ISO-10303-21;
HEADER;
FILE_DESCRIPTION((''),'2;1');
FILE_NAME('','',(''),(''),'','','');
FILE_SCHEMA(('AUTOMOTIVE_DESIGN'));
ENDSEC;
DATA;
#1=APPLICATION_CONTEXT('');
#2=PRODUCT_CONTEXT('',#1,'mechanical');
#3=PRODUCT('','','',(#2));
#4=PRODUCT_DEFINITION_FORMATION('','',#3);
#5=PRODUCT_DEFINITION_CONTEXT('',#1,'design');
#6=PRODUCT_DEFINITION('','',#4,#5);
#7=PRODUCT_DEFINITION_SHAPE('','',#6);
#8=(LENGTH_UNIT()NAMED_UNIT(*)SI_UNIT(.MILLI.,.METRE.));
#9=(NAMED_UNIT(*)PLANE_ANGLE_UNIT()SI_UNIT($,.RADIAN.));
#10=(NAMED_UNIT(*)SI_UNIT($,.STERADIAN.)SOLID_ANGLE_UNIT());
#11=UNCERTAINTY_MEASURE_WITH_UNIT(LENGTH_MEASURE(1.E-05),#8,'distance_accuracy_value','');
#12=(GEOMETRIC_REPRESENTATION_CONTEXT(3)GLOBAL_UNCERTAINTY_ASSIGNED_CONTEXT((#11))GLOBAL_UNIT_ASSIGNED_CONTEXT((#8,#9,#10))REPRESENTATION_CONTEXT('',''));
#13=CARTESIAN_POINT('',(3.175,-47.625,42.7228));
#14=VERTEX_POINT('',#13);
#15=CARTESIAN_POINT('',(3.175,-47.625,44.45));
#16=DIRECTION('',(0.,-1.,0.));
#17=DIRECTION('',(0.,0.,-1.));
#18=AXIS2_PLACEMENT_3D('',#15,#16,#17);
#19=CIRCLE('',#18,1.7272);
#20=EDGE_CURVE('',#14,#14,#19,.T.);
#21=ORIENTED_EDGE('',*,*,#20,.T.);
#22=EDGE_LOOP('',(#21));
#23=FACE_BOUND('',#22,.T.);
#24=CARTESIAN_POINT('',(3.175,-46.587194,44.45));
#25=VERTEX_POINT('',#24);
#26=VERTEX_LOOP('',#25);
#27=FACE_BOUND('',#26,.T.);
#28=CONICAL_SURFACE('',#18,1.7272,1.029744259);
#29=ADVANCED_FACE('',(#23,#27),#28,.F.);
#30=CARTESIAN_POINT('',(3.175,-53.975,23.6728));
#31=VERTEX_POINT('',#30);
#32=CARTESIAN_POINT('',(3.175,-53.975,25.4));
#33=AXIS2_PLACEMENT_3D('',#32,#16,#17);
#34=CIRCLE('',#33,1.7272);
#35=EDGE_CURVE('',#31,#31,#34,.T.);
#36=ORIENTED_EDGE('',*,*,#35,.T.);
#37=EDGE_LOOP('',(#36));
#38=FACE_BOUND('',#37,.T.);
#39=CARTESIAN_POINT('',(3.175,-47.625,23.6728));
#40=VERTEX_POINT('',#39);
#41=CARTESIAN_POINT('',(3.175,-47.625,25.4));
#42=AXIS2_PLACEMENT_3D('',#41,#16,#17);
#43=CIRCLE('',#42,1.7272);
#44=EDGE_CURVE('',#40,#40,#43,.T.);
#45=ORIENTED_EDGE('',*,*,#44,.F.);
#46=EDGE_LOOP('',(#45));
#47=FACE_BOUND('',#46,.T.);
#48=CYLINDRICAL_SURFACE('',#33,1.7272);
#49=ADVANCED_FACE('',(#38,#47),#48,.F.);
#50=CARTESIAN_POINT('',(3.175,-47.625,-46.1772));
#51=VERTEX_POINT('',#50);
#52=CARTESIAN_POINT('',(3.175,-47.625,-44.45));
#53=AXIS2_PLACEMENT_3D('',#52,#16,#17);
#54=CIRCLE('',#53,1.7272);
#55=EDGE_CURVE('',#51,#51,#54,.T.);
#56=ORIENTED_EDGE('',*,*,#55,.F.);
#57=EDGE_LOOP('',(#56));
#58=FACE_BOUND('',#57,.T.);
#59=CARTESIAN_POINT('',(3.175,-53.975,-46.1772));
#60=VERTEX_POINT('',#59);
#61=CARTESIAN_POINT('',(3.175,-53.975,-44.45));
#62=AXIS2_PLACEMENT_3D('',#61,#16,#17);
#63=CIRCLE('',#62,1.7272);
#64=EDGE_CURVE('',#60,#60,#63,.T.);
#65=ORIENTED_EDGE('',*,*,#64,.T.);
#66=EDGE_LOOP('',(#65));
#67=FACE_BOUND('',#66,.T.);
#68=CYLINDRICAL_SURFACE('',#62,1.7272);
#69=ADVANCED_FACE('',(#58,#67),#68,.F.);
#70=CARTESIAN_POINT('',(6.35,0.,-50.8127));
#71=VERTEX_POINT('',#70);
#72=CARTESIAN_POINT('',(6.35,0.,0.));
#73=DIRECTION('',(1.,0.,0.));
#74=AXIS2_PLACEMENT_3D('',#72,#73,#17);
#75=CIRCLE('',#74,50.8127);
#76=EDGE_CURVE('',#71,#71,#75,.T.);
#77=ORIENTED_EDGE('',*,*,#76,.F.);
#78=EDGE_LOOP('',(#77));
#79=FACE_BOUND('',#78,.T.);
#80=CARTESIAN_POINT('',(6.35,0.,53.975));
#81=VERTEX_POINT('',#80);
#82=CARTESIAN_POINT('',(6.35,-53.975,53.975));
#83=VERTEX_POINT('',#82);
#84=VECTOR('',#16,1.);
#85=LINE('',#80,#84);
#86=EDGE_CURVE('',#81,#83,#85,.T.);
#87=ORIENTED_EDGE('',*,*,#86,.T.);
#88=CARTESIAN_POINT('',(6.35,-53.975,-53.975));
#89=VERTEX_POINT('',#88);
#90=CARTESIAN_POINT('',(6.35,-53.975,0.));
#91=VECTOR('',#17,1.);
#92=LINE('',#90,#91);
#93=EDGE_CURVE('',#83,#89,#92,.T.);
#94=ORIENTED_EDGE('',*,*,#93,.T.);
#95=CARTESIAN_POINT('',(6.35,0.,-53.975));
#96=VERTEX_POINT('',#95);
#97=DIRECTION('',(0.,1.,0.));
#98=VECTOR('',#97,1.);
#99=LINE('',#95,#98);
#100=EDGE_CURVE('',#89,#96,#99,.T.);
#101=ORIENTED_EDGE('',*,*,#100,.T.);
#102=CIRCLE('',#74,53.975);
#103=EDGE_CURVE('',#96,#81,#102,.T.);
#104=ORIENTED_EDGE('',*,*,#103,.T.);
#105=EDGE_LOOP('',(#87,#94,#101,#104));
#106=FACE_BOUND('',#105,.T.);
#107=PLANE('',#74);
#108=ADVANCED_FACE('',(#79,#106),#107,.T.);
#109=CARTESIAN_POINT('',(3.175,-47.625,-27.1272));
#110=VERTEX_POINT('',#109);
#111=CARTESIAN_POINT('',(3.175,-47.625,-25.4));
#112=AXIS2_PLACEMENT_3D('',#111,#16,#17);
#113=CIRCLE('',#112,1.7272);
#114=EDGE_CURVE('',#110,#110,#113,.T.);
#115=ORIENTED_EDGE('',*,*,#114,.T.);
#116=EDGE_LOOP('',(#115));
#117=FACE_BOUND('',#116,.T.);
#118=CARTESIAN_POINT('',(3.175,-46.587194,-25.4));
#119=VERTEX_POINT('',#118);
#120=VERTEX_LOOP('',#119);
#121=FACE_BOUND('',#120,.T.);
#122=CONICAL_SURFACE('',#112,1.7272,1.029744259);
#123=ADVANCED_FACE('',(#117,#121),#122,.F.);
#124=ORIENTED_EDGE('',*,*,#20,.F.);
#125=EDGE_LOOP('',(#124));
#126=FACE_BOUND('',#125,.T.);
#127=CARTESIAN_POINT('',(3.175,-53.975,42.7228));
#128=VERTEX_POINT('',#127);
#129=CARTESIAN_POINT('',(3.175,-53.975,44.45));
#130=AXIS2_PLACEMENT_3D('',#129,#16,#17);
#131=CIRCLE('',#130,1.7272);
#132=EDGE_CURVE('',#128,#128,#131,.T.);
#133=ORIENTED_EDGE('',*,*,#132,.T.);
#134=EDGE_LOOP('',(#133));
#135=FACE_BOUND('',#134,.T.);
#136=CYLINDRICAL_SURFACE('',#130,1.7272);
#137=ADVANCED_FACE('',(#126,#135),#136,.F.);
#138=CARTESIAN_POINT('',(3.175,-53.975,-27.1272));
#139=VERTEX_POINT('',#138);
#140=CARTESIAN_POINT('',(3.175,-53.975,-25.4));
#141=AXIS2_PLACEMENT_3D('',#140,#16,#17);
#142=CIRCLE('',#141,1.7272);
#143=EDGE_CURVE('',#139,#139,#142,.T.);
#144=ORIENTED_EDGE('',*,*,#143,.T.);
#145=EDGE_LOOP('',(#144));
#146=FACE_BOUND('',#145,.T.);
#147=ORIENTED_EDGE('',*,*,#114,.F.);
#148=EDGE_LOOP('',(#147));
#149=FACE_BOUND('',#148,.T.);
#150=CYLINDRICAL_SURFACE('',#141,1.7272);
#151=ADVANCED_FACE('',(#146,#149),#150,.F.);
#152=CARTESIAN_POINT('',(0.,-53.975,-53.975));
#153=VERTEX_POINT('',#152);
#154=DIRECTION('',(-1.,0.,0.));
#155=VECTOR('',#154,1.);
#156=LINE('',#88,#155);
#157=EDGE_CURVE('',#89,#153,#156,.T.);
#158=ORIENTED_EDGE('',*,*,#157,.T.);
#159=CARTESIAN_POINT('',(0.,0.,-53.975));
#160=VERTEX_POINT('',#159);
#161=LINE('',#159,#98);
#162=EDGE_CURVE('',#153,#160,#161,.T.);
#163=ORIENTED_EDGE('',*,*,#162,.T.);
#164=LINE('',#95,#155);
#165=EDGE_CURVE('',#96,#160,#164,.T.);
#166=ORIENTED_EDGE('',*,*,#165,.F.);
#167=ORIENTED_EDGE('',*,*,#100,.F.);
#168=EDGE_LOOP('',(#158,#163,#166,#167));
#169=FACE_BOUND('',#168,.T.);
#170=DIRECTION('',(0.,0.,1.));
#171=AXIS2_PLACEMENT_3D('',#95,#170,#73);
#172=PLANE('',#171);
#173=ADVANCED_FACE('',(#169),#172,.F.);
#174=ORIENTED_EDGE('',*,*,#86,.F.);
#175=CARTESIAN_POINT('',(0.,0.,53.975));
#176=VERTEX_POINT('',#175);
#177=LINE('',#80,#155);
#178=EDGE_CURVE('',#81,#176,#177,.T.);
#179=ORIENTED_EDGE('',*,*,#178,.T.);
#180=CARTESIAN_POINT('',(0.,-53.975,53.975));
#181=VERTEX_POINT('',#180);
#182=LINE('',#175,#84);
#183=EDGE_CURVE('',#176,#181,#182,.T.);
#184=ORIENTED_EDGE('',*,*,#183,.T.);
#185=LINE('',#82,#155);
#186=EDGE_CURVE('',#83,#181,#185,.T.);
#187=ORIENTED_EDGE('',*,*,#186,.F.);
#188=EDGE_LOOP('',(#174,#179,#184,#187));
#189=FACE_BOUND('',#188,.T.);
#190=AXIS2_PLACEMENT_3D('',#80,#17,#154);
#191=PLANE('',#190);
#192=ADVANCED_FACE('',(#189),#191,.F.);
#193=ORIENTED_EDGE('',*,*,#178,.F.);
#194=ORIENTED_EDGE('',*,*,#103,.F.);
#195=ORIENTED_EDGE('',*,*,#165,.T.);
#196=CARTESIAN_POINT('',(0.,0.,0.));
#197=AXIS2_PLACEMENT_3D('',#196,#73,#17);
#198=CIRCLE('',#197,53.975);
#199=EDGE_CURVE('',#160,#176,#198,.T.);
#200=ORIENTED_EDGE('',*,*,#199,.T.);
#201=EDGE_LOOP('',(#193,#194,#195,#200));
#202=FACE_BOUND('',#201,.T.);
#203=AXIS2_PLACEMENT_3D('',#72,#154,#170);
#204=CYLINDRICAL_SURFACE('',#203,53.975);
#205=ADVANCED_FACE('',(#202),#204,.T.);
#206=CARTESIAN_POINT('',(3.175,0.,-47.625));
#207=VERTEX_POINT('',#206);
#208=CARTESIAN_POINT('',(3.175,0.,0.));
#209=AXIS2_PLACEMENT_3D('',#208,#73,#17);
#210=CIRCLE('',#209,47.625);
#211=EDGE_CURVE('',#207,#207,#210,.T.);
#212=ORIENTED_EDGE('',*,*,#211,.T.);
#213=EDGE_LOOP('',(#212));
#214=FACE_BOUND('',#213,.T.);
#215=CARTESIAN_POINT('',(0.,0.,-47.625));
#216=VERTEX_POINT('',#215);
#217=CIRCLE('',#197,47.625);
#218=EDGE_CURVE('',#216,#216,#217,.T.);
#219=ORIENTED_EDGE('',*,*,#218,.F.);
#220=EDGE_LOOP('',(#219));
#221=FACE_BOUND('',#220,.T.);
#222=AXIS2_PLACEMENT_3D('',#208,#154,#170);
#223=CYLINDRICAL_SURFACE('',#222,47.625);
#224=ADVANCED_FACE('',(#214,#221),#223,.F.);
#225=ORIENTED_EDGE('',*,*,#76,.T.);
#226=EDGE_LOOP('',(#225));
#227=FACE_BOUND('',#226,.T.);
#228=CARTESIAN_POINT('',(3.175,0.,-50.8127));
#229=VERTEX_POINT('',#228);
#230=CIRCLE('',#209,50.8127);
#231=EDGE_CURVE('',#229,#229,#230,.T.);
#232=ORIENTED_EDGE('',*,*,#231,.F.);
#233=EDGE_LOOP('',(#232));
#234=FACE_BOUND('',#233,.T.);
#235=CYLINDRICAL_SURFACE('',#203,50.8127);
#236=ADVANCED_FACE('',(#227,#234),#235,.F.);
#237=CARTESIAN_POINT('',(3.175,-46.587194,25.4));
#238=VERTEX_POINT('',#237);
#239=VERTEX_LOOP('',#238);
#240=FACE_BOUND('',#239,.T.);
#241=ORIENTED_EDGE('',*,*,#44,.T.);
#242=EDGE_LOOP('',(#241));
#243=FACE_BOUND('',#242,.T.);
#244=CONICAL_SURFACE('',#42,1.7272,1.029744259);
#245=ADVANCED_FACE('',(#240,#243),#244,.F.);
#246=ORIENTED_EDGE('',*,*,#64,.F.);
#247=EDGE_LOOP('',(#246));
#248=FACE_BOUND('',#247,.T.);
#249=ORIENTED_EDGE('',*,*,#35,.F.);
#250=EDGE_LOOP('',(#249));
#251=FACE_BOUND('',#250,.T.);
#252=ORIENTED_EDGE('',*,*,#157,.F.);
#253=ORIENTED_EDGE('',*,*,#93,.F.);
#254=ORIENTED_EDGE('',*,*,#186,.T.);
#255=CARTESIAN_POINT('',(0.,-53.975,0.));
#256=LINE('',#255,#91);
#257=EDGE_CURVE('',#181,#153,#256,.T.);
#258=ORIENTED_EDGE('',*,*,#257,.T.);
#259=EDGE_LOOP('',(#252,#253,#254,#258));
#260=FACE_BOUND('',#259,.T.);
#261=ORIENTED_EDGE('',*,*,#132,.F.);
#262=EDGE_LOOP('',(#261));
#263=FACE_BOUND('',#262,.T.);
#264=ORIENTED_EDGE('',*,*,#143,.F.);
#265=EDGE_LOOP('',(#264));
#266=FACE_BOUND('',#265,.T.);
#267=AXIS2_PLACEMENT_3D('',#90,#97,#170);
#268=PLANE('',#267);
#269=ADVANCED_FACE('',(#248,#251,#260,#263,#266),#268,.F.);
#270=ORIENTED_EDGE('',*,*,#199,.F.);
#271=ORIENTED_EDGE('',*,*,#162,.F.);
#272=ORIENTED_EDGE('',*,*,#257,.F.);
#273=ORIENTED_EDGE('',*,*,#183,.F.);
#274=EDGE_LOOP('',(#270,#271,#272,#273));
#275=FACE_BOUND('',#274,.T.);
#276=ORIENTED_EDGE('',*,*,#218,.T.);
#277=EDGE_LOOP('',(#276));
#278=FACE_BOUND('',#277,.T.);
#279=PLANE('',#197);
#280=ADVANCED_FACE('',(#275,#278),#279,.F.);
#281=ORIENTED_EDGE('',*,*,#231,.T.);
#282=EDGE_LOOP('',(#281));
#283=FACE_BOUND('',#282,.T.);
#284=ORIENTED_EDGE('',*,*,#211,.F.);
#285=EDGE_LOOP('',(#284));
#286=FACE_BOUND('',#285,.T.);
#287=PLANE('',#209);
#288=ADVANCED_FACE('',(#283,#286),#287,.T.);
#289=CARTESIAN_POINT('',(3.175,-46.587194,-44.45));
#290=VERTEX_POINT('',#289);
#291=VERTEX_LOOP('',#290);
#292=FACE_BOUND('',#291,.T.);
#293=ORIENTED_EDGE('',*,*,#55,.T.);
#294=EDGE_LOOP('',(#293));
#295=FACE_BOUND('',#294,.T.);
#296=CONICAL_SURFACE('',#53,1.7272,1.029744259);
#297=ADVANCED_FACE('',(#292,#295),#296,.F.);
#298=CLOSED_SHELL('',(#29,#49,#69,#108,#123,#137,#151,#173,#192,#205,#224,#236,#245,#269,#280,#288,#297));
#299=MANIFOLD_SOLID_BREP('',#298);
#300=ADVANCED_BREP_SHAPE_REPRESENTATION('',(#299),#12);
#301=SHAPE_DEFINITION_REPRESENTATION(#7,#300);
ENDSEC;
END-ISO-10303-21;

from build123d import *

# Parameters (mm, degrees)
SKETCH1_R                 = 50.8127
BOSS_EXTRUDE1_DEPTH       = 6.35
SKETCH1_3_R               = 50.8127
SKETCH1_3_R_2             = 47.625
BOSS_EXTRUDE2_DEPTH       = 3.175
F_8_32_TAPPED_HOLE3_D     = 3.4544
F_8_32_TAPPED_HOLE3_DEPTH = 6.35
F_8_32_TAPPED_HOLE3_TIP   = 1.037806461


with BuildPart() as part:
    # Sketch1 → Boss-Extrude1 (new body)
    with BuildSketch(Plane(origin=(0, 0, 0), x_dir=(0, 0, -1), z_dir=(1, 0, 0))):
        with BuildLine():
            Line((53.975, -53.975), (53.975, 0))
            ThreePointArc((53.975, 0), (0, 53.975), (-53.975, 0))
            Line((-53.975, 0), (-53.975, -53.975))
            Line((-53.975, -53.975), (53.975, -53.975))
        make_face()
        Circle(SKETCH1_R, mode=Mode.SUBTRACT)
    extrude(amount=BOSS_EXTRUDE1_DEPTH)

    # Sketch1<3> → Boss-Extrude2 (add)
    with BuildSketch(Plane(origin=(0, 0, 0), x_dir=(0, 0, -1), z_dir=(1, 0, 0))):
        Circle(SKETCH1_3_R)
        Circle(SKETCH1_3_R_2, mode=Mode.SUBTRACT)
    extrude(amount=BOSS_EXTRUDE2_DEPTH)

    # #8-32 Tapped Hole3
    with Locations(Plane(origin=(0, -53.975, 0), x_dir=(-1, 0, 0), z_dir=(0, -1, 0))):
        with Locations((-3.175, 44.45), (-3.175, 25.4), (-3.175, -25.4), (-3.175, -44.45)):
            Hole(F_8_32_TAPPED_HOLE3_D / 2, depth=F_8_32_TAPPED_HOLE3_DEPTH)
            with Locations((0, 0, -(F_8_32_TAPPED_HOLE3_DEPTH + F_8_32_TAPPED_HOLE3_TIP / 2))):  # 118° drill point
                Cone(0, F_8_32_TAPPED_HOLE3_D / 2, F_8_32_TAPPED_HOLE3_TIP, mode=Mode.SUBTRACT)


solid = part.part
